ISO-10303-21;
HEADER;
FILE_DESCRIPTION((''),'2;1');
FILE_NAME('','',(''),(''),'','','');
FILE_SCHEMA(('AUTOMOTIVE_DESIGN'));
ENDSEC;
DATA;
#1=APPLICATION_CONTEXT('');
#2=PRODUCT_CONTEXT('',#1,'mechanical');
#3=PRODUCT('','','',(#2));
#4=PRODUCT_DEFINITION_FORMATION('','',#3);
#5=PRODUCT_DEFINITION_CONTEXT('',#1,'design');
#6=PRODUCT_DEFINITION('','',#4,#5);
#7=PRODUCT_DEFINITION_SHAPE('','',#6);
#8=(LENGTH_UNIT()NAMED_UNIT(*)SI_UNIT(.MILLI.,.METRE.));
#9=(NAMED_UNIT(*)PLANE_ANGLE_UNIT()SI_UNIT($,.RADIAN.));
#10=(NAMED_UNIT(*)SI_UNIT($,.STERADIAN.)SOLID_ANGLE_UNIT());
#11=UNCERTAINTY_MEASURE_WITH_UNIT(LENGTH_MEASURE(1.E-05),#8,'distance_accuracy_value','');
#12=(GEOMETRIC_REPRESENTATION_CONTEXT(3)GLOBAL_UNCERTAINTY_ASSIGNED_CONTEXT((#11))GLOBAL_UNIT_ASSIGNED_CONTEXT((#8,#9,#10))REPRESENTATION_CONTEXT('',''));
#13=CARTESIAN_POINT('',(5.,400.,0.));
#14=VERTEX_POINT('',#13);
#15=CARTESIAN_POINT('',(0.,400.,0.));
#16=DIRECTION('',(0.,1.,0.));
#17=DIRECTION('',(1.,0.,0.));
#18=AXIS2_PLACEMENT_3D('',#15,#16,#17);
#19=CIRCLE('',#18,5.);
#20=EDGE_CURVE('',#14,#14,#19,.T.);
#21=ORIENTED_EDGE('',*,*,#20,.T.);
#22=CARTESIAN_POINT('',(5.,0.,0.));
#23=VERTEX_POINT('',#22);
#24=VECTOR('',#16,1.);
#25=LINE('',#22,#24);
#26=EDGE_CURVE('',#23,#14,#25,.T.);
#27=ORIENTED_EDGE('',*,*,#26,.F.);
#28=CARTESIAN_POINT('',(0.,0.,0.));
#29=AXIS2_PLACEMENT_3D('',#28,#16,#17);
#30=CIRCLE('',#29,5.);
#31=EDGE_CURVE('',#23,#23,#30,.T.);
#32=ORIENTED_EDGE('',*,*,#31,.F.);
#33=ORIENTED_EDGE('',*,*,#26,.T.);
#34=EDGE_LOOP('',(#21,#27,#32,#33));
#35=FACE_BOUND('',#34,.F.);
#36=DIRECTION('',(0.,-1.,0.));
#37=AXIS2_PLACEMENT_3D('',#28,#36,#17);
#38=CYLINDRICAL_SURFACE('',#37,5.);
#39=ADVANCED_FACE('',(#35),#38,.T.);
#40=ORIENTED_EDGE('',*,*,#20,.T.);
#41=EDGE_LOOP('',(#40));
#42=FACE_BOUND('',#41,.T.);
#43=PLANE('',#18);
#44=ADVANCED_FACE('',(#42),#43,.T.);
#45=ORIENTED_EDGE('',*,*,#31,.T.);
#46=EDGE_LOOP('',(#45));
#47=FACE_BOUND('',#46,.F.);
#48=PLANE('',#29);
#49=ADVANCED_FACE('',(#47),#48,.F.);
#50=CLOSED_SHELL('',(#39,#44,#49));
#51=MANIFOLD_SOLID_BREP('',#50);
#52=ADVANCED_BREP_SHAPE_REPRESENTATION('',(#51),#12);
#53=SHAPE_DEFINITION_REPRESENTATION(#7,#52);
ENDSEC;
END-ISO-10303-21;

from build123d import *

# Parameters (mm, degrees)
SKETCH_1_R      = 5
EXTRUDE_1_DEPTH = 400


with BuildPart() as part:
    # 草图1 → 凸台-拉伸1 (new body)
    with BuildSketch(Plane(origin=(0, 0, 0), x_dir=(1, 0, 0), z_dir=(0, 1, 0))):
        Circle(SKETCH_1_R)
    extrude(amount=EXTRUDE_1_DEPTH)


solid = part.part
